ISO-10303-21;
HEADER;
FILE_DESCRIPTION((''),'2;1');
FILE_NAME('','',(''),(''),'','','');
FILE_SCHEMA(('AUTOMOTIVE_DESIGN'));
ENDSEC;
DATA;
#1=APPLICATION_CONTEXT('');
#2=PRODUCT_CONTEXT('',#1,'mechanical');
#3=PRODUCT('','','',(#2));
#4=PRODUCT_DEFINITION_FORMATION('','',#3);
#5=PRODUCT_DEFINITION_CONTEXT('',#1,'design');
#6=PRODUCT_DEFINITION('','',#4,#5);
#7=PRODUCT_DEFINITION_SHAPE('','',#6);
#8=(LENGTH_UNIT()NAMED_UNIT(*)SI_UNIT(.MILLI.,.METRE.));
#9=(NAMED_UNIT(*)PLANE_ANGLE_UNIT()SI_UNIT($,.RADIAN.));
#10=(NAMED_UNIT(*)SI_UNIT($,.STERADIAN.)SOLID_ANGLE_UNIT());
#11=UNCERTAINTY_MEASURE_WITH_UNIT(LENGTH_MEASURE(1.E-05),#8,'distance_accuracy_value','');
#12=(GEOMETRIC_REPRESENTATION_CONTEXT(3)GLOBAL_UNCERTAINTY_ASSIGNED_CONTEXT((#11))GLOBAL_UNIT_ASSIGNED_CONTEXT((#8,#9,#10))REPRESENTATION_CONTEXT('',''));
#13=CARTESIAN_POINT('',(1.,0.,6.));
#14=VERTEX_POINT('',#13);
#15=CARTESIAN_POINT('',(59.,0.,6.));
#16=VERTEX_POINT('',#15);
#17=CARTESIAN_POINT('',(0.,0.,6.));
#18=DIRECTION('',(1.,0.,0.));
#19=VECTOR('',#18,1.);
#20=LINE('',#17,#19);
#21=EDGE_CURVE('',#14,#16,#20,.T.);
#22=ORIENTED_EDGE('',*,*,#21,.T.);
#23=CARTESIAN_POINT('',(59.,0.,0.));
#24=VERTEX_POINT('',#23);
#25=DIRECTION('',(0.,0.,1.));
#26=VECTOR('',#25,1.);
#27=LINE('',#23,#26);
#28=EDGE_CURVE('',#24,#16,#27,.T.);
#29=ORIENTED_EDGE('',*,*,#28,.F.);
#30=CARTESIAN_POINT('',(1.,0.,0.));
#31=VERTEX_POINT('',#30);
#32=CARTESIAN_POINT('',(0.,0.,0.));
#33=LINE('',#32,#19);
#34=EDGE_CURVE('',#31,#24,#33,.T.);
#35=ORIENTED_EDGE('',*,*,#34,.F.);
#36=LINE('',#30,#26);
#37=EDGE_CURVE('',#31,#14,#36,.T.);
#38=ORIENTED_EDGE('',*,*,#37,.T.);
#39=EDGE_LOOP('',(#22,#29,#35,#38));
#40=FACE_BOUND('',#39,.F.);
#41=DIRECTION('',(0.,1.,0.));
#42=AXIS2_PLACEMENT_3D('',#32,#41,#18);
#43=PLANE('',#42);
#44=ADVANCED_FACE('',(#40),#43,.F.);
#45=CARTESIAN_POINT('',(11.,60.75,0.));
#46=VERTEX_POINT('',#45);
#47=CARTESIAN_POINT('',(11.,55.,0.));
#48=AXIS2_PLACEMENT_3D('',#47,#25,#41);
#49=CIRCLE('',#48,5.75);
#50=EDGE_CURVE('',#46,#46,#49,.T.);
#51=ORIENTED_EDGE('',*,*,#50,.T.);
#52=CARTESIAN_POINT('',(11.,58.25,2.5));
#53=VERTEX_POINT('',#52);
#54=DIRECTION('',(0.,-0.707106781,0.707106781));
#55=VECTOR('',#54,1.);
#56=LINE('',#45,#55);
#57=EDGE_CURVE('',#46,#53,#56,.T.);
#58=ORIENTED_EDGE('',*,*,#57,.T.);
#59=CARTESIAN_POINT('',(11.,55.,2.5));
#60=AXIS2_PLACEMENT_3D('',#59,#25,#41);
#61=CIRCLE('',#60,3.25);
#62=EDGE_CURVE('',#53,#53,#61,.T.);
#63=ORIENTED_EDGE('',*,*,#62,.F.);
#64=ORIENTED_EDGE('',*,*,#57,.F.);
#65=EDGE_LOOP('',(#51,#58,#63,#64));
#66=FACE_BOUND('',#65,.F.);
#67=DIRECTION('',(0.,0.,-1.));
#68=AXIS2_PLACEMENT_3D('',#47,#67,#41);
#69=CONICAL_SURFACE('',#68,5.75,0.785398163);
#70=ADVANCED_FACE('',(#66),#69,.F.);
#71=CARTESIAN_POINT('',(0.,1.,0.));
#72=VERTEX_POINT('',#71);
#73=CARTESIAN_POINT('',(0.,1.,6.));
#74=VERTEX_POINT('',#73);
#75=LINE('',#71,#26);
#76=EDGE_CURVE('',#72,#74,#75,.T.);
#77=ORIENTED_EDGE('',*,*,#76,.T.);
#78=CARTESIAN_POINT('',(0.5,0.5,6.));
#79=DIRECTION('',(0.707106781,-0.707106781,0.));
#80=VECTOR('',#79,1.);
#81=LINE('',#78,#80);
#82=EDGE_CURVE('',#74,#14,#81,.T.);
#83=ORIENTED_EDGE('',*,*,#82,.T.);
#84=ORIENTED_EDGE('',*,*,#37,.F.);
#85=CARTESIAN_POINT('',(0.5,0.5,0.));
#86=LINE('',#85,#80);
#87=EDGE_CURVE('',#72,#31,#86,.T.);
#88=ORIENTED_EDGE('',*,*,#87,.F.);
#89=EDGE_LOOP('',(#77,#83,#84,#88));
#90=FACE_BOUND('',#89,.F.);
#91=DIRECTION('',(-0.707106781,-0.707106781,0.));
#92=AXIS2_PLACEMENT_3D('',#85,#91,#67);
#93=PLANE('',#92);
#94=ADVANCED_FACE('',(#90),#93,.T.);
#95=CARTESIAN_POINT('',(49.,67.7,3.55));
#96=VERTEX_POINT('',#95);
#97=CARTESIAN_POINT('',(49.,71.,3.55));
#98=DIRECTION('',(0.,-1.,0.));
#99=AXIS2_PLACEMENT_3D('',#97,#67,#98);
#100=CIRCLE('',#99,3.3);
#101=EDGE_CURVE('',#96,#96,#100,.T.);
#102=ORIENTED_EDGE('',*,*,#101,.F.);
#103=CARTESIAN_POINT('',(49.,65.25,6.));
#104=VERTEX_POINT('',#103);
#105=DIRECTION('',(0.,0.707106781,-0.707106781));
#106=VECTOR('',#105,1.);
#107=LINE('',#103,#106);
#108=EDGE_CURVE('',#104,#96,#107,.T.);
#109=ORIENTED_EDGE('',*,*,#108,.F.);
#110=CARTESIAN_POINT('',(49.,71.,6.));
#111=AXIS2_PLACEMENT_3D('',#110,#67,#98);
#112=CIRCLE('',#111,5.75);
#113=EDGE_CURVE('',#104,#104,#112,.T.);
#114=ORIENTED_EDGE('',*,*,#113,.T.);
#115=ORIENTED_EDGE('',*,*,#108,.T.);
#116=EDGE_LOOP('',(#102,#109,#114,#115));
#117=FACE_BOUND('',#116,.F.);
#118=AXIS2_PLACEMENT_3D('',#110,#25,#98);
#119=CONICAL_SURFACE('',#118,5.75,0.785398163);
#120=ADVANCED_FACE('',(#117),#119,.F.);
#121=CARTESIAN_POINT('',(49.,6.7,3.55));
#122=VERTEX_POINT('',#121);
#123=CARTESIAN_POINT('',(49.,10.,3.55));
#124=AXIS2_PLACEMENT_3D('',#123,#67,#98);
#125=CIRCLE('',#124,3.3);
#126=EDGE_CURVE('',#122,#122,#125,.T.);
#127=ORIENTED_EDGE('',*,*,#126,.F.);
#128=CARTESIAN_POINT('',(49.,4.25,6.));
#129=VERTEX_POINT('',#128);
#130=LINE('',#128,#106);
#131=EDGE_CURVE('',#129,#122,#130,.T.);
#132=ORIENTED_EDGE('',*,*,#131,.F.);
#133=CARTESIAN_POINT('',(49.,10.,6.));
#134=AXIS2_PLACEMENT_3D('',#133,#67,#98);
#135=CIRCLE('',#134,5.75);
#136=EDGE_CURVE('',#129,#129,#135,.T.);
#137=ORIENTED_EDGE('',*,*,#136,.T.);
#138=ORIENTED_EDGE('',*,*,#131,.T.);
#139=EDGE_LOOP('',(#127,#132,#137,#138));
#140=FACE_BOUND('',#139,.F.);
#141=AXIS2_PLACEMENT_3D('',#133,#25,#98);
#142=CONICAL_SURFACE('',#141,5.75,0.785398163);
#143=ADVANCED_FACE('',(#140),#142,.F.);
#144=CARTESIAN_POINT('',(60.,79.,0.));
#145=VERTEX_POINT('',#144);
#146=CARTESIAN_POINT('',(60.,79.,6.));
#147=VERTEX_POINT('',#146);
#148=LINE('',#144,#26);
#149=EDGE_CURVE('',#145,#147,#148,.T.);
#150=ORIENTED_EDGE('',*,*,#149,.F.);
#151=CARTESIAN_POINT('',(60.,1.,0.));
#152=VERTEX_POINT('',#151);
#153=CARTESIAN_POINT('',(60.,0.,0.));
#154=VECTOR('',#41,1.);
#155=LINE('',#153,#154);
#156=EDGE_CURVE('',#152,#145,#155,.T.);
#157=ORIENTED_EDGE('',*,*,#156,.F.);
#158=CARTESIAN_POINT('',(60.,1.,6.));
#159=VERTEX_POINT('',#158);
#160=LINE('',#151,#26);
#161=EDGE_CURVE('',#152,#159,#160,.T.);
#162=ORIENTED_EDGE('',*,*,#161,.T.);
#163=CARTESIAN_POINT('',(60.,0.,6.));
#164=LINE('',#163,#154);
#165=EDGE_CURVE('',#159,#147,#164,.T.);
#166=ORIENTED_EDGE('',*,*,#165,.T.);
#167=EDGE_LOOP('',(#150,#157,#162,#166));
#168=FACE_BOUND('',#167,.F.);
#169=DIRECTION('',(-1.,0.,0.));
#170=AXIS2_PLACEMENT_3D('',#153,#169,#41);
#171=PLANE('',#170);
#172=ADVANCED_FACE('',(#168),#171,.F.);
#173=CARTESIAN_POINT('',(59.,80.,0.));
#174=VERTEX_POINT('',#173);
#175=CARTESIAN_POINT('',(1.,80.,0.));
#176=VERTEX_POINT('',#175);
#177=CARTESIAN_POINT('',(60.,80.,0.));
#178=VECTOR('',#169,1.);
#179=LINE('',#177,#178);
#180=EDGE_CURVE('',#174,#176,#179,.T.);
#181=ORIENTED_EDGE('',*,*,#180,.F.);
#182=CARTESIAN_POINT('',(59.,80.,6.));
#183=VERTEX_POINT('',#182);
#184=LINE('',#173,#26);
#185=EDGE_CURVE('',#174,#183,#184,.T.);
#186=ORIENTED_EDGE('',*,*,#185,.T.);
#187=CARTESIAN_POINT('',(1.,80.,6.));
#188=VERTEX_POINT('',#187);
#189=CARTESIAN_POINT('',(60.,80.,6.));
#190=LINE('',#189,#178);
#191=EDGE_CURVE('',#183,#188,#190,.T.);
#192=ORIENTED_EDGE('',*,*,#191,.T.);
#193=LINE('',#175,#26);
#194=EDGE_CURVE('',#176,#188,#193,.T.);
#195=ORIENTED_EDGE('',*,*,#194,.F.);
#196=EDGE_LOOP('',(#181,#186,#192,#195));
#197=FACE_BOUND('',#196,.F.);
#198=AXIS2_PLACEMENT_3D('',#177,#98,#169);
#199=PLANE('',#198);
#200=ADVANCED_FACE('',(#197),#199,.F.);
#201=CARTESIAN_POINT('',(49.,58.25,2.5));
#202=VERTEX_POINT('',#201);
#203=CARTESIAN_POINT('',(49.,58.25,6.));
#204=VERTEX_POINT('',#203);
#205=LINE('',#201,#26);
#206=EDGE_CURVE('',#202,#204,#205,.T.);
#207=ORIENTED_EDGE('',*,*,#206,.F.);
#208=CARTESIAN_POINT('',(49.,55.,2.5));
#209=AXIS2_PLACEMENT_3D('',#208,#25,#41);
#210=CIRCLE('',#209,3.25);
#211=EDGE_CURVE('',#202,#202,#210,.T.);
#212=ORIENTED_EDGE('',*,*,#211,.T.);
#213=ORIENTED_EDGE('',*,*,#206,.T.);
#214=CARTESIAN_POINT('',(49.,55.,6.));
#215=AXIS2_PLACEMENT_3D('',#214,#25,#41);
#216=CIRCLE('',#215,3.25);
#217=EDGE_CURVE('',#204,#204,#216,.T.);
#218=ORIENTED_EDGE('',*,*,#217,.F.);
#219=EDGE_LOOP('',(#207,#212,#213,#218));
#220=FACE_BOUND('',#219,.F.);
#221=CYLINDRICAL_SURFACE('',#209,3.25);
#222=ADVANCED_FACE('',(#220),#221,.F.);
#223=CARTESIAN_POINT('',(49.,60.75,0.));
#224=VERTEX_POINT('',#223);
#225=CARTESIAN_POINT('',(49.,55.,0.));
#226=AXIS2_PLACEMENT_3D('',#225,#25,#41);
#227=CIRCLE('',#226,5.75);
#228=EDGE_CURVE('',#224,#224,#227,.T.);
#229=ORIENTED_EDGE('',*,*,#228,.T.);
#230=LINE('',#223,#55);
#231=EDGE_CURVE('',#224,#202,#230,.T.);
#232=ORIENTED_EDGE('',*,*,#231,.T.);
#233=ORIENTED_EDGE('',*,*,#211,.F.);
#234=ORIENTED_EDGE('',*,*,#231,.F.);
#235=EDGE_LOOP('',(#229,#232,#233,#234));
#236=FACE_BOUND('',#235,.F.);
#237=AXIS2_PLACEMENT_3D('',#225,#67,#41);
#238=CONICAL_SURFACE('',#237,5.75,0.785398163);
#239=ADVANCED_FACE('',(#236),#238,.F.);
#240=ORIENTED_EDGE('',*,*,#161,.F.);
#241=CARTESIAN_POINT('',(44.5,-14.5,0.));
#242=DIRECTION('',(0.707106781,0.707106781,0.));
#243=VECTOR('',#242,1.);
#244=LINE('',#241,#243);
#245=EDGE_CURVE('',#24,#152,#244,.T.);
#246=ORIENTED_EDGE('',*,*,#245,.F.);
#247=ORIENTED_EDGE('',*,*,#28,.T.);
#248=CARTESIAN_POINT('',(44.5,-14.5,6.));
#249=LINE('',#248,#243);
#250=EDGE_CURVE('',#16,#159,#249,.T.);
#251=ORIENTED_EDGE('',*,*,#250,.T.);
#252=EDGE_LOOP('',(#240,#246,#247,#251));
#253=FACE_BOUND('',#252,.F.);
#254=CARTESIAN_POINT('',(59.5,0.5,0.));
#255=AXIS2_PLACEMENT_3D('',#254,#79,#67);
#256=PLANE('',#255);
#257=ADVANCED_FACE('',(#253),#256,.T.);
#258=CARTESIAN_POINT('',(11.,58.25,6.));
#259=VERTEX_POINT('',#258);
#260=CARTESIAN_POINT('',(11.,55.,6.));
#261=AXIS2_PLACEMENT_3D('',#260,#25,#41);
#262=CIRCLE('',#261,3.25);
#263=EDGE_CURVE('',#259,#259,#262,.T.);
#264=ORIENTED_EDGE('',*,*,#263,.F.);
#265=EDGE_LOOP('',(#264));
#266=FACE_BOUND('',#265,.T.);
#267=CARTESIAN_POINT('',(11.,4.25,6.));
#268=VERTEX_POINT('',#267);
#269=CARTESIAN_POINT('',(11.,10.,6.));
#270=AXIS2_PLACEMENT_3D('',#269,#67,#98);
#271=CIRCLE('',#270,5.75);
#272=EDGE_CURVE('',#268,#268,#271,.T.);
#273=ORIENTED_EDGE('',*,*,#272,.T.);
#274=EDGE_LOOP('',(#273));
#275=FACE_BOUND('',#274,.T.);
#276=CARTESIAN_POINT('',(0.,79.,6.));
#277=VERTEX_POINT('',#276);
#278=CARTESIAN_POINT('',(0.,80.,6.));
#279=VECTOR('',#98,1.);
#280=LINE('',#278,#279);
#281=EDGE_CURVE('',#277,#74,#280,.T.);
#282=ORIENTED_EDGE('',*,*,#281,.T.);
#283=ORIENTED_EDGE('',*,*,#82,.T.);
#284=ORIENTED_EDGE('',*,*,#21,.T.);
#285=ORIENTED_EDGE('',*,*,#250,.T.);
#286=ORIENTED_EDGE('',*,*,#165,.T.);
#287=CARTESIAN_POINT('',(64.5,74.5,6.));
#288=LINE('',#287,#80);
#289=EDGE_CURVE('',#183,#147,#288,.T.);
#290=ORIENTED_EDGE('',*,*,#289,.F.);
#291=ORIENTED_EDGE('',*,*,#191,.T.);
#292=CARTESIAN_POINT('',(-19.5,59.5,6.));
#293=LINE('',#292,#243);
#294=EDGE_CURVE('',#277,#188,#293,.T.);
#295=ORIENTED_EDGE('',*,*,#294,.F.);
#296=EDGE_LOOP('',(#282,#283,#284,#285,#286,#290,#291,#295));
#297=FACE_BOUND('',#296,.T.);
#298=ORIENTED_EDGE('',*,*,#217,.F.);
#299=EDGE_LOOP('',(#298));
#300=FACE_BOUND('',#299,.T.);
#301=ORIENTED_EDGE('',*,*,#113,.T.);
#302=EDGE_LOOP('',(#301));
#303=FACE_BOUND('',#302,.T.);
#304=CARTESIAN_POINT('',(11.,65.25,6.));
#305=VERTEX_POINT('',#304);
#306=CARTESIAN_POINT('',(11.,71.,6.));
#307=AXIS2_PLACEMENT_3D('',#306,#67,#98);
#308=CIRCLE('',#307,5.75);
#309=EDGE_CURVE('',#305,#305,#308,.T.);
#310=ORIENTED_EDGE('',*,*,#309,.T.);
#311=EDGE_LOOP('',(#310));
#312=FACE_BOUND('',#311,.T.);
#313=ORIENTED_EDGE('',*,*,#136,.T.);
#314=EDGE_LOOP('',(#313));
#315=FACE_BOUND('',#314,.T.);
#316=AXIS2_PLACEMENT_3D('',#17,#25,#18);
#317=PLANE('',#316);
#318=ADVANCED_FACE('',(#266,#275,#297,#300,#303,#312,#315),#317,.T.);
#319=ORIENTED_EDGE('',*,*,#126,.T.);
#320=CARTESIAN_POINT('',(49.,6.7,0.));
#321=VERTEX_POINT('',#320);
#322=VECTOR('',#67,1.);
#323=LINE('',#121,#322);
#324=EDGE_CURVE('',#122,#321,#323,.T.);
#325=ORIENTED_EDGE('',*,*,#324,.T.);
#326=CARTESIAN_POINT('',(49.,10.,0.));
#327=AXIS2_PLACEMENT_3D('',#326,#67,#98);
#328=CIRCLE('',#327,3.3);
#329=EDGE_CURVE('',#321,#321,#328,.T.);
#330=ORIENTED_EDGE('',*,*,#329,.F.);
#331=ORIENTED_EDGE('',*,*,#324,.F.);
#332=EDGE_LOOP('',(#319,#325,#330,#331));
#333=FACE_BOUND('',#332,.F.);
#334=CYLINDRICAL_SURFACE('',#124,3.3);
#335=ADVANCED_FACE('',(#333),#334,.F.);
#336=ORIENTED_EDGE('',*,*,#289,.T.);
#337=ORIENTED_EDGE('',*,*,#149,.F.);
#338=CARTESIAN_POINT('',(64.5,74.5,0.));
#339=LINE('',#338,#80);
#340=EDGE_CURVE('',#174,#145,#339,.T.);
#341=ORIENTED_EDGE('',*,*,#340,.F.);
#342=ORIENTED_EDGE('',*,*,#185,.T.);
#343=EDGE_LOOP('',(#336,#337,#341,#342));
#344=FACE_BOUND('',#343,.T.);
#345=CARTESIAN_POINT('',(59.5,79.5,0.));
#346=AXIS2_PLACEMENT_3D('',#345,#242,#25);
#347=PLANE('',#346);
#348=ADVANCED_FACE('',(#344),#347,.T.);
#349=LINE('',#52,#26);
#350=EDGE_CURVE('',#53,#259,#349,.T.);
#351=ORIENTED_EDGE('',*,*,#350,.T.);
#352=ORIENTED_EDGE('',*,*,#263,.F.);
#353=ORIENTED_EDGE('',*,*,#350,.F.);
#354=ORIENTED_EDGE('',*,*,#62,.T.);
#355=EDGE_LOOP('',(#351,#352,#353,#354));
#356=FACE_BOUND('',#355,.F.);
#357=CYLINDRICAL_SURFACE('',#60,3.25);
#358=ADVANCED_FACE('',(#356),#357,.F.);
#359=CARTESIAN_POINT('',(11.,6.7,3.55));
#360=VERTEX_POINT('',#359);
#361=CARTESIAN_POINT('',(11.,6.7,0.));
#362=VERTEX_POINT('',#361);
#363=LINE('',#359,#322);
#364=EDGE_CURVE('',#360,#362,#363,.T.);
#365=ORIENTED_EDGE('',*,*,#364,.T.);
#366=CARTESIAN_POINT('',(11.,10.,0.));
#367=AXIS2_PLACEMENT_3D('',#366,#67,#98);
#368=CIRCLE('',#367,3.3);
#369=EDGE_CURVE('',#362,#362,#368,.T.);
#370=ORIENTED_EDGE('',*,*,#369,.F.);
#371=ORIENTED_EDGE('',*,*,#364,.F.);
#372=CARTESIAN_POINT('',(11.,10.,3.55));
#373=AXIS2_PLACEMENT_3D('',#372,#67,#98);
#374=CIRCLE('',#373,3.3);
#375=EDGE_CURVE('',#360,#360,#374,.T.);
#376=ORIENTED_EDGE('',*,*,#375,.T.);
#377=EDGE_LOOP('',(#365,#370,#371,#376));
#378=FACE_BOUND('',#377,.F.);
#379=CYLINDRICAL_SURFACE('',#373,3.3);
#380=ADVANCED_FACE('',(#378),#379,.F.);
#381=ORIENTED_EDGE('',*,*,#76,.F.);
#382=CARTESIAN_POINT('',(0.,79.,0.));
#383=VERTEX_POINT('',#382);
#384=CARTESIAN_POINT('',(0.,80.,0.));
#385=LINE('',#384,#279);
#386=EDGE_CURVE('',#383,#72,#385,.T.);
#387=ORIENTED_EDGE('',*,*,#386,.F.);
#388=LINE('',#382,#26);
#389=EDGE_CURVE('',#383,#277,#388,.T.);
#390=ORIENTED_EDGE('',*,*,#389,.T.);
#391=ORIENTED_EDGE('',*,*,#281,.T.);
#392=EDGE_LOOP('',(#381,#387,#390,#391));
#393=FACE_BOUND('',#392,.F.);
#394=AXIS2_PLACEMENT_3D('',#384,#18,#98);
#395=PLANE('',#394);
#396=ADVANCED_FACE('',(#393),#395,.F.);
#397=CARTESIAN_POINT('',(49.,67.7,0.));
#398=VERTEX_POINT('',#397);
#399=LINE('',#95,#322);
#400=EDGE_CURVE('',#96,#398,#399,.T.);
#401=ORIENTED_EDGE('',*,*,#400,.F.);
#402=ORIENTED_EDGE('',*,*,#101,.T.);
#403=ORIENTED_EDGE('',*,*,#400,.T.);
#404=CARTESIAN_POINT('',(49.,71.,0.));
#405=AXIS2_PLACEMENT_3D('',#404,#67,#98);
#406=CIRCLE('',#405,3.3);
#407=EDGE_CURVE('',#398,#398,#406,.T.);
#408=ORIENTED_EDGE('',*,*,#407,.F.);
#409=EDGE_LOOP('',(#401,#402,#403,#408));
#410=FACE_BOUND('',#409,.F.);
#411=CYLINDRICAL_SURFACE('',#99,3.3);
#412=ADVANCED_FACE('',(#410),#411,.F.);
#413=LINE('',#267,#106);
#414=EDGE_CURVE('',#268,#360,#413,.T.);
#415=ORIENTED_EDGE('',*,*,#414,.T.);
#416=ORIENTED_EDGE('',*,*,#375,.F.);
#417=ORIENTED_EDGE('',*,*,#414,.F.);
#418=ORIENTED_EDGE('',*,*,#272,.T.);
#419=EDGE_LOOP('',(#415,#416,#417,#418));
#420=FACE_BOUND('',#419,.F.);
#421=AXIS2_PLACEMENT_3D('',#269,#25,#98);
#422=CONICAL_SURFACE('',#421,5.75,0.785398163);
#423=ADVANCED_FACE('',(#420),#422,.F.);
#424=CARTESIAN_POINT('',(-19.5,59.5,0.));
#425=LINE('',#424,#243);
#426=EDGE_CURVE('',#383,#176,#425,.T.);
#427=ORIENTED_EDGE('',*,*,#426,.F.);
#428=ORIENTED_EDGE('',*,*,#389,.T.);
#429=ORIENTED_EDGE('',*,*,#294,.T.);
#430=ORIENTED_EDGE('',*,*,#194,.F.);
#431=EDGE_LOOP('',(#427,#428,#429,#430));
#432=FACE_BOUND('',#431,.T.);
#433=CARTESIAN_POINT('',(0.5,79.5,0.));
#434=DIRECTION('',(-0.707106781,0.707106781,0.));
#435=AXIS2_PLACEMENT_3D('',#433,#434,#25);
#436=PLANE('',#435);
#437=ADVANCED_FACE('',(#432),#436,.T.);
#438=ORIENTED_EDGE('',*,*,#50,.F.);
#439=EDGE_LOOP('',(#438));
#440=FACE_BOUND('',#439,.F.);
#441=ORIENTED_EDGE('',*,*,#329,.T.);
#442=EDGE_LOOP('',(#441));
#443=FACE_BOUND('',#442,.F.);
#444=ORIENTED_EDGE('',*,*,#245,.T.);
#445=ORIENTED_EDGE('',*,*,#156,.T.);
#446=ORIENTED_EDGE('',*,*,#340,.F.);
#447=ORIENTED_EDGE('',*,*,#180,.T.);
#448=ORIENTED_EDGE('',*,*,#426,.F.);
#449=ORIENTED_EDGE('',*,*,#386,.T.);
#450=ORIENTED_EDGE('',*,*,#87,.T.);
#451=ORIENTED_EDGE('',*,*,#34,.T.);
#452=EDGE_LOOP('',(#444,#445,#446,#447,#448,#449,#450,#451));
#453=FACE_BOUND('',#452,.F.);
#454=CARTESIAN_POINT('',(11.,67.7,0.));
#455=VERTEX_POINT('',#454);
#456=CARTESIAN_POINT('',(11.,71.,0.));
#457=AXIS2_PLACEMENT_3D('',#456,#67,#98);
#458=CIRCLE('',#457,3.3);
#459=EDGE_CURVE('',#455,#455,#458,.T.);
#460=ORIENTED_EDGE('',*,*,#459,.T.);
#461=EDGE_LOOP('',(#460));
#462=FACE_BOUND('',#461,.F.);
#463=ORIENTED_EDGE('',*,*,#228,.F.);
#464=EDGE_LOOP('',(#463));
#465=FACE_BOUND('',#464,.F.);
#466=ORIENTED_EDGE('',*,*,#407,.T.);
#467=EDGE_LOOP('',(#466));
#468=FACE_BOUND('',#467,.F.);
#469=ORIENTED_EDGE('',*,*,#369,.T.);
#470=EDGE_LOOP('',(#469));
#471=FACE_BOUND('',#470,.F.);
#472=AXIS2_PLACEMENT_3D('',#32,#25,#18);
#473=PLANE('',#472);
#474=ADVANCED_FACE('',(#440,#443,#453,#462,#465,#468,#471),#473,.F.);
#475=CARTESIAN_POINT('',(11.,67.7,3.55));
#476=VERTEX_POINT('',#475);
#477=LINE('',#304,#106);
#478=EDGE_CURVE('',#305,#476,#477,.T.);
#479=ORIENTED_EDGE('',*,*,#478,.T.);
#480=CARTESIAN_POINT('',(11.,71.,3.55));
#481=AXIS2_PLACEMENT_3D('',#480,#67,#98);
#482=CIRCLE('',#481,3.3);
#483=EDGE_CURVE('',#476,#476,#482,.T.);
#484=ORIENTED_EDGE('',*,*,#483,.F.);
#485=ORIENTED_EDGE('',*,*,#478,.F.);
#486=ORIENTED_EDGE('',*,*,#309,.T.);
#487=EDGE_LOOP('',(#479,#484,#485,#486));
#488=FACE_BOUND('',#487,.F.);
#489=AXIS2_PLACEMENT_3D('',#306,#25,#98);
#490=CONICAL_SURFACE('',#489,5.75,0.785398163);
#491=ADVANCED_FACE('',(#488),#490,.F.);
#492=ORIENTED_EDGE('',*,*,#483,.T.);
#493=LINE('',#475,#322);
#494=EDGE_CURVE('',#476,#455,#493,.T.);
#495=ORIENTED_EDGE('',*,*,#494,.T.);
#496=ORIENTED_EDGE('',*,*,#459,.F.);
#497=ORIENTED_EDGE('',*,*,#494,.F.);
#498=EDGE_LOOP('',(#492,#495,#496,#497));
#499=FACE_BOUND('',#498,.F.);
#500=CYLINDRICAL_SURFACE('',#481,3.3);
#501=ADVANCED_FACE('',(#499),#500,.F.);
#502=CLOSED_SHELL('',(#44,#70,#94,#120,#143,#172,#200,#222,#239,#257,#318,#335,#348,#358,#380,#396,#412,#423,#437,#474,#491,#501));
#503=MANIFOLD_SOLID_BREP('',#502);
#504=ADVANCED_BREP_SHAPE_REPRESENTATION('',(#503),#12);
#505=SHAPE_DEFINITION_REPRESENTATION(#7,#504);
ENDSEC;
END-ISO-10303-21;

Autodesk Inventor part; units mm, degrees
ref_plane "YZ Plane" through (0, 0, 0) normal (1, 0, 0) x (0, 1, 0)
ref_plane "XZ Plane" through (0, 0, 0) normal (0, 1, 0) x (-1, 0, 0)
ref_plane "XY Plane" through (0, 0, 0) normal (0, 0, 1) x (1, 0, 0)
sketch "Sketch1" plane through (0, 0, 0) normal (0, 0, 1) x (1, 0, 0)
  line L0 (0, 0) -> (60, 0)
  line L1 (60, 0) -> (60, 80)
  line L2 (60, 80) -> (0, 80)
  line L3 (0, 80) -> (0, 0)
  dimension "d0" = 80
  dimension "d1" = 60
extrude "Extrusion1" add sketch "Sketch1" along normal blind 6
sketch "Sketch2" plane through (0, 0, 6) normal (0, 0, 1) x (1, 0, 0)
  line L0 (0, 0) -> (0, 80) projected
  line L1 (60, 0) -> (0, 0) projected
  point P0 (11, 71)
  point P1 (49, 71)
  point P2 (11, 10)
  point P3 (49, 10)
  dimension "d4" = 11
  dimension "d5" = 49
  dimension "d6" = 10
  dimension "d7" = 11
  dimension "d8" = 49
  dimension "d13" = 71
  dimension "d14" = 71
  dimension "d15" = 10
hole "Hole1" at (11, 71, 6) at (49, 71, 6) at (11, 10, 6) at (49, 10, 6) direction (0, 0, -1) diameter 6.6 depth 6 tip angle 118 countersink diameter 11.5 countersink angle 90
sketch "Sketch3" plane through (0, 0, 0) normal (0, 0, -1) x (-1, 0, 0)
  line L0 (0, 0) -> (-60, 0) projected
  line L1 (-60, 0) -> (-60, 80) projected
  point P0 (-49, 55)
  point P1 (-11, 55)
  dimension "d26" = 55
  dimension "d27" = 55
  dimension "d28" = 11
  dimension "d29" = 49
hole "Hole2" at (49, 55, 0) at (11, 55, 0) direction (0, 0, 1) diameter 6.5 depth 6 tip angle 118 countersink diameter 11.5 countersink angle 90
chamfer "Chamfer2" distance 1 angle 45 4 edges at (60, 0, 3) (60, 80, 3) (0, 80, 3) (0, 0, 3)
properties part number "TRASEIRA DA CABINE" material "Carbon Steel"
